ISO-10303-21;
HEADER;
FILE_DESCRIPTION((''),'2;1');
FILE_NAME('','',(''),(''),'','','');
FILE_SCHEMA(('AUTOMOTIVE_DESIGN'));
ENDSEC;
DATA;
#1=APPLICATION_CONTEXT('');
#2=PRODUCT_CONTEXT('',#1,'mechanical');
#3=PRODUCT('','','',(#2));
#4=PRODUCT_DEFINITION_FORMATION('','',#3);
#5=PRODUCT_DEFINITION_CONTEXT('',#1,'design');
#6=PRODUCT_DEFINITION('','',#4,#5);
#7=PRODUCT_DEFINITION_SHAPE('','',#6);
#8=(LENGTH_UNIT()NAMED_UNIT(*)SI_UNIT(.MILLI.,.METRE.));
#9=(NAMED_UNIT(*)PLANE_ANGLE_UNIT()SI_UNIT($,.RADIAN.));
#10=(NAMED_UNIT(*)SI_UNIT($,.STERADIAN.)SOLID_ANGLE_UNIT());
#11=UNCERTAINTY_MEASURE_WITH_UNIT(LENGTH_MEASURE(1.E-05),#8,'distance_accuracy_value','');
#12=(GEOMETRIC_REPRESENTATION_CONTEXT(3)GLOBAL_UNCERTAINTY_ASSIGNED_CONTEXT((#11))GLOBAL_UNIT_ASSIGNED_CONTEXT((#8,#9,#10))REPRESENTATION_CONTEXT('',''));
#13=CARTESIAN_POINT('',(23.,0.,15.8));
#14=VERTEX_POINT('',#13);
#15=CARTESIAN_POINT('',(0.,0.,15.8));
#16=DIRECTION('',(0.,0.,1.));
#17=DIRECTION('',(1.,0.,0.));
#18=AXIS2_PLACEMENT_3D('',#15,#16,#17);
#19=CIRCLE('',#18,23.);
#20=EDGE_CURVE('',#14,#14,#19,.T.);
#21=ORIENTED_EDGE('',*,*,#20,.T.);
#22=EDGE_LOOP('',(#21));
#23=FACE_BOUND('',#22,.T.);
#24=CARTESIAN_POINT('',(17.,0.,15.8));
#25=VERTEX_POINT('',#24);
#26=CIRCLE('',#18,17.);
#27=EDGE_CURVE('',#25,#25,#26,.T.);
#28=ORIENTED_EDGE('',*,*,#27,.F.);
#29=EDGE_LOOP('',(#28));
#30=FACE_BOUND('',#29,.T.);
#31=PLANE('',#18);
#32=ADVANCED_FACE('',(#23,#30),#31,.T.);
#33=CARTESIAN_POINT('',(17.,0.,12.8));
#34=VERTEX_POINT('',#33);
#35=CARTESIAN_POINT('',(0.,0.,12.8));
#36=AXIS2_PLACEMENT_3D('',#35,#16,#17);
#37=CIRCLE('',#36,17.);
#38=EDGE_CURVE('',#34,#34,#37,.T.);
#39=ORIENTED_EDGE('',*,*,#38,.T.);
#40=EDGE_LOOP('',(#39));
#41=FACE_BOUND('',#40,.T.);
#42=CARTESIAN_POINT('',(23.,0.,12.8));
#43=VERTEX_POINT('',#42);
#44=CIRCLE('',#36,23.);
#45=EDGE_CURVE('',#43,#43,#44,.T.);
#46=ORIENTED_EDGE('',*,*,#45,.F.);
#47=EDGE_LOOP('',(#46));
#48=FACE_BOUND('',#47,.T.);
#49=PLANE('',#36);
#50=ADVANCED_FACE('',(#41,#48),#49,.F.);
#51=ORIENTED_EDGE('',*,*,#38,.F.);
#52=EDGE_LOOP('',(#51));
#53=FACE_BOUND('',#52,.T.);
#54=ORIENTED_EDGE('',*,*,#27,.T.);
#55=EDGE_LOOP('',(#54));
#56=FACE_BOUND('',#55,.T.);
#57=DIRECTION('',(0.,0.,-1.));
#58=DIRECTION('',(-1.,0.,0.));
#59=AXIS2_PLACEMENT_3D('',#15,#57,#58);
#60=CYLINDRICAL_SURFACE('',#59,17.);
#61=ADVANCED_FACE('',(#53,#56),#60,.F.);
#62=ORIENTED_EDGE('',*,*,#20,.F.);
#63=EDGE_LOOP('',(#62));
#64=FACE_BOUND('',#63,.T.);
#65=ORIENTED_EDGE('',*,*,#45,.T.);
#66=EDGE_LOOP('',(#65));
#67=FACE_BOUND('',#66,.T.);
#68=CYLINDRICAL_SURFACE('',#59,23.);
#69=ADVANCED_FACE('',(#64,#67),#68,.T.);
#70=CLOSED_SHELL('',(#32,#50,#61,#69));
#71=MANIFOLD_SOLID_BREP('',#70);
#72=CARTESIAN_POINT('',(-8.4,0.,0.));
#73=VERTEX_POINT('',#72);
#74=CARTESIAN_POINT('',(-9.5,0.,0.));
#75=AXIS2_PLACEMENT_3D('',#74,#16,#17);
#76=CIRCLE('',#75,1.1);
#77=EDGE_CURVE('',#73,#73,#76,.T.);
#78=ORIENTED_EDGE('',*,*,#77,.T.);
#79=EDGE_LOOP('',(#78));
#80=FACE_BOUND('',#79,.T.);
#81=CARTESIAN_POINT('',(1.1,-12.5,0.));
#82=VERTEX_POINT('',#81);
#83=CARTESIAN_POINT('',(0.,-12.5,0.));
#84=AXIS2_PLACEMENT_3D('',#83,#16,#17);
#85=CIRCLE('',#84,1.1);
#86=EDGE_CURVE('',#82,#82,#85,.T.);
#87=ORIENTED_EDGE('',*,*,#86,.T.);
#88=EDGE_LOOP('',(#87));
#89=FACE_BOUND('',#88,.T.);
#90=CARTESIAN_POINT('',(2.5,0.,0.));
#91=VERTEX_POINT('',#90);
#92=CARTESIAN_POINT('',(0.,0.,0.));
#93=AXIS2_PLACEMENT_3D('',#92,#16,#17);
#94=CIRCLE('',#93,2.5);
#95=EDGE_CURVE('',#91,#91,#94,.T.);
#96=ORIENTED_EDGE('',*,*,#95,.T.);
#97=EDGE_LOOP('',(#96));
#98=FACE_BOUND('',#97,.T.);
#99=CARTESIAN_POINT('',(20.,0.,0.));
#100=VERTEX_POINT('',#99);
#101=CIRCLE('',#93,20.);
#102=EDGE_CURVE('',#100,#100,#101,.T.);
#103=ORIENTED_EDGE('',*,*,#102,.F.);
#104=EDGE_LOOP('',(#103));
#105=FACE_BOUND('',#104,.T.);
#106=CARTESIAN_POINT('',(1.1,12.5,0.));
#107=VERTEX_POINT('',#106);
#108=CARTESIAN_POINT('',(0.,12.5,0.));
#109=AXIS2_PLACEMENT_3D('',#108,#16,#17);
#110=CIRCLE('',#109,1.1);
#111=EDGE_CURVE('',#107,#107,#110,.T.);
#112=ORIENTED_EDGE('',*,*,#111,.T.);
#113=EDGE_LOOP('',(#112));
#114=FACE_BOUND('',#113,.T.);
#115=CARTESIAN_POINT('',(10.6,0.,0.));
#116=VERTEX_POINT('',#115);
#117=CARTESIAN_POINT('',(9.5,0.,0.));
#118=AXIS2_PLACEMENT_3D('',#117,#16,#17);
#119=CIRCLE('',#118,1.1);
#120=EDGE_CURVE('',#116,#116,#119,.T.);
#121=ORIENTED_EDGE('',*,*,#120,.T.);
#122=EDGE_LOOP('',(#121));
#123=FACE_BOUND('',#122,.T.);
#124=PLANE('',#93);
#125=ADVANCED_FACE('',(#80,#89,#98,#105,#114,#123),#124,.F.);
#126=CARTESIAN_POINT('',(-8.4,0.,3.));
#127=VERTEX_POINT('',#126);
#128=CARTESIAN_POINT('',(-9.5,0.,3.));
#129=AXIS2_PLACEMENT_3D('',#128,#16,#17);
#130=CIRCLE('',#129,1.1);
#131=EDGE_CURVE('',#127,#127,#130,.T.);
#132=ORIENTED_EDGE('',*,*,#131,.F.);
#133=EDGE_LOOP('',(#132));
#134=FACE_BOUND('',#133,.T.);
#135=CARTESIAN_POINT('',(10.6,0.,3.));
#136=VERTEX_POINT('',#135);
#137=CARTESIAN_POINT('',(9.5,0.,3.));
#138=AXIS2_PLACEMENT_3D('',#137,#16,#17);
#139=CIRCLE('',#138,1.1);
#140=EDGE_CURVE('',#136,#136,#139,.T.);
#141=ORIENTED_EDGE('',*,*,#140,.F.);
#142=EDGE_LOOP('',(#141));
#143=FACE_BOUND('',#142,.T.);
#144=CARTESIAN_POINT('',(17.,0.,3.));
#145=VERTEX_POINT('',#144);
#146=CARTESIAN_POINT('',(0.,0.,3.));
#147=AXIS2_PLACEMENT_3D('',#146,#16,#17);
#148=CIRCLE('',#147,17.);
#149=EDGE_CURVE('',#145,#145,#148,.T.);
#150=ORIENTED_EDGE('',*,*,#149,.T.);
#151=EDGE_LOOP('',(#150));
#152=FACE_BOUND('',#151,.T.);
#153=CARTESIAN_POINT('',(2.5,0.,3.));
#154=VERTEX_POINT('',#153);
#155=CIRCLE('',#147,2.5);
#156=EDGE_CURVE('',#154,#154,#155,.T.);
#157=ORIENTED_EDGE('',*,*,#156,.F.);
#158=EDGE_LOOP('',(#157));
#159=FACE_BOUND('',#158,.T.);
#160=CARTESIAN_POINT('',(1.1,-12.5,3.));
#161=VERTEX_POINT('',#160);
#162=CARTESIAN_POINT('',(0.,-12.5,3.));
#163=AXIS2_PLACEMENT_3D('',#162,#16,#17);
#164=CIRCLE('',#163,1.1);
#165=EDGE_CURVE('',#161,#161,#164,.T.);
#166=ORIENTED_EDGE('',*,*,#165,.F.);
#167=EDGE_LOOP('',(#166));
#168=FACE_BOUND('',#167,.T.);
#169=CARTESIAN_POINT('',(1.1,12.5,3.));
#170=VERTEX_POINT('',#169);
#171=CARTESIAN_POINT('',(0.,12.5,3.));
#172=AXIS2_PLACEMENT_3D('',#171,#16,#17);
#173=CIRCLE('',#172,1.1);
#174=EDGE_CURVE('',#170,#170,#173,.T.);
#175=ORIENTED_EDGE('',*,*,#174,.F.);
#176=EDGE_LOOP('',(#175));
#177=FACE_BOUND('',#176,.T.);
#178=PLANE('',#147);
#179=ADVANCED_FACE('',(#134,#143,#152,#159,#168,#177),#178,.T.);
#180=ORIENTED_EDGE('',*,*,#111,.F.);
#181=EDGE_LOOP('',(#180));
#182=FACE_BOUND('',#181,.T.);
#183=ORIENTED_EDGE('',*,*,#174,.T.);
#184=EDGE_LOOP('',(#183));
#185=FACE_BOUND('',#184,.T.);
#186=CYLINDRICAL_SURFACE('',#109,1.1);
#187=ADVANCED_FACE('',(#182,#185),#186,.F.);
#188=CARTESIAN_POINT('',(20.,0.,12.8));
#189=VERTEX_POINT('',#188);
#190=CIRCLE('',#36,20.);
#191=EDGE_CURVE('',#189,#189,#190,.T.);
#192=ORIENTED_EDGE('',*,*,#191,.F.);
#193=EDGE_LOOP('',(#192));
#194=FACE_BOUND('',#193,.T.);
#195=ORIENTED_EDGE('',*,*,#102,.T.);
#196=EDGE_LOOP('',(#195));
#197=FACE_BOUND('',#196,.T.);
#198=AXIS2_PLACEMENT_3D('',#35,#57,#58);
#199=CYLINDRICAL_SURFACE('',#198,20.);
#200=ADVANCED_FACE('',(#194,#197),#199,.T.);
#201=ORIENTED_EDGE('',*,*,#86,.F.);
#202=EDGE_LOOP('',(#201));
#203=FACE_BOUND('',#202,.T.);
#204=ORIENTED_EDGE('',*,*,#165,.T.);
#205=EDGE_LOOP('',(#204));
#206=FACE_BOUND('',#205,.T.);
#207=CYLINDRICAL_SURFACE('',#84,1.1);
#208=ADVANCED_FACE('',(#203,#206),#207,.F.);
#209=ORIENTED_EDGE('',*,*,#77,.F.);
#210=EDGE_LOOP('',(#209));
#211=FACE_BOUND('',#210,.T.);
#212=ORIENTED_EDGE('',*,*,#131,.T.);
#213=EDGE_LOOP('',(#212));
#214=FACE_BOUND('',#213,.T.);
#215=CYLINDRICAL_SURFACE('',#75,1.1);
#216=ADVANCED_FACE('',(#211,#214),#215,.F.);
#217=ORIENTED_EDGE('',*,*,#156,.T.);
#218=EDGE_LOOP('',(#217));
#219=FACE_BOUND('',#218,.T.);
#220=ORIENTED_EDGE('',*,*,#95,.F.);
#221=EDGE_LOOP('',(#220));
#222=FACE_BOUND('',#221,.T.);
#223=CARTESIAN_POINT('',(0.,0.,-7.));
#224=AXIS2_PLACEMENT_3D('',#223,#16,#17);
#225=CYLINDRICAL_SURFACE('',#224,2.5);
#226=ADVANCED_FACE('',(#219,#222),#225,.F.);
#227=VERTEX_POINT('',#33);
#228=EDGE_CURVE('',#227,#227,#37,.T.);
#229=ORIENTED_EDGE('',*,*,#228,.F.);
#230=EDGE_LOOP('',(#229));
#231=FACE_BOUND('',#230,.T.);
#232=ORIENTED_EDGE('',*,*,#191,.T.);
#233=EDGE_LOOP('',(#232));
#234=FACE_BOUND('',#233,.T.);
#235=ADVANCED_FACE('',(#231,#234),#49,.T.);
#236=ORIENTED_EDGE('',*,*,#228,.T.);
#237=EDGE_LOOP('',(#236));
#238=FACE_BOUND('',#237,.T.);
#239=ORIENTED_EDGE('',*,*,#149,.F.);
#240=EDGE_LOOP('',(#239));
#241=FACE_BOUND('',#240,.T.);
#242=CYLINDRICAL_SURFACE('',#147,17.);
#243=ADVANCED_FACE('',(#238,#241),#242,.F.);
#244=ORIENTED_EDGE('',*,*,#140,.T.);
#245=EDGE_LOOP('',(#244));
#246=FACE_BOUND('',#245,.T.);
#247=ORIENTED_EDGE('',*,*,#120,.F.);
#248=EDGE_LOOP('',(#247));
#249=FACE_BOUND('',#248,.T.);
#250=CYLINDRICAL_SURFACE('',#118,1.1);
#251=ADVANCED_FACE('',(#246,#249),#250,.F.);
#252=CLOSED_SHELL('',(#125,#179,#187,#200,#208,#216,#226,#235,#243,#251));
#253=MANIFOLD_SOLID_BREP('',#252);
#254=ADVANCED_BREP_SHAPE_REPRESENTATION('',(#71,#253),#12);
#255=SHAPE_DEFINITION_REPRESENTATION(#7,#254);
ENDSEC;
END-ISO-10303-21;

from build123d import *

# Parameters (mm, degrees)
SKETCH_1_R          = 20
EXTRUDE_1_DEPTH     = 12.8
SKETCH_2_R          = 17
CUT_EXTRUDE_1_DEPTH = 9.8
SKETCH_3_R          = 23
SKETCH_3_R_2        = 17
EXTRUDE_2_DEPTH     = 3
SKETCH_4_R          = 1.1
CUT_EXTRUDE_2_DEPTH = 35.954827993
SKETCH_6_R          = 2.5
CUT_EXTRUDE_4_DEPTH = 10


with BuildPart() as part:
    # 草图1 → 凸台-拉伸1 (new body)
    with BuildSketch(Plane.XY):
        Circle(SKETCH_1_R)
    extrude(amount=EXTRUDE_1_DEPTH)

    # 草图2 → 切除-拉伸1 (cut)
    with BuildSketch(Plane.XY.offset(12.8)):
        Circle(SKETCH_2_R)
    extrude(amount=-CUT_EXTRUDE_1_DEPTH, mode=Mode.SUBTRACT)

    # 草图4 → 切除-拉伸2 (cut, through all)
    with BuildSketch(Plane.XY.offset(3)):
        with Locations((0, -12.5)):
            Circle(SKETCH_4_R)
        with Locations((0, 12.5)):
            Circle(SKETCH_4_R)
        with Locations((9.5, 0)):
            Circle(SKETCH_4_R)
        with Locations((-9.5, 0)):
            Circle(SKETCH_4_R)
    extrude(amount=-CUT_EXTRUDE_2_DEPTH, mode=Mode.SUBTRACT)

    # 草图6 → 切除-拉伸4 (cut)
    with BuildSketch(Plane.XY.offset(3)):
        Circle(SKETCH_6_R)
    extrude(amount=-CUT_EXTRUDE_4_DEPTH, mode=Mode.SUBTRACT)


with BuildPart() as body_2:
    # 草图3 → 凸台-拉伸2 (new body)
    with BuildSketch(Plane.XY.offset(12.8)):
        Circle(SKETCH_3_R)
        Circle(SKETCH_3_R_2, mode=Mode.SUBTRACT)
    extrude(amount=EXTRUDE_2_DEPTH)


solid = Compound([part.part, body_2.part])
